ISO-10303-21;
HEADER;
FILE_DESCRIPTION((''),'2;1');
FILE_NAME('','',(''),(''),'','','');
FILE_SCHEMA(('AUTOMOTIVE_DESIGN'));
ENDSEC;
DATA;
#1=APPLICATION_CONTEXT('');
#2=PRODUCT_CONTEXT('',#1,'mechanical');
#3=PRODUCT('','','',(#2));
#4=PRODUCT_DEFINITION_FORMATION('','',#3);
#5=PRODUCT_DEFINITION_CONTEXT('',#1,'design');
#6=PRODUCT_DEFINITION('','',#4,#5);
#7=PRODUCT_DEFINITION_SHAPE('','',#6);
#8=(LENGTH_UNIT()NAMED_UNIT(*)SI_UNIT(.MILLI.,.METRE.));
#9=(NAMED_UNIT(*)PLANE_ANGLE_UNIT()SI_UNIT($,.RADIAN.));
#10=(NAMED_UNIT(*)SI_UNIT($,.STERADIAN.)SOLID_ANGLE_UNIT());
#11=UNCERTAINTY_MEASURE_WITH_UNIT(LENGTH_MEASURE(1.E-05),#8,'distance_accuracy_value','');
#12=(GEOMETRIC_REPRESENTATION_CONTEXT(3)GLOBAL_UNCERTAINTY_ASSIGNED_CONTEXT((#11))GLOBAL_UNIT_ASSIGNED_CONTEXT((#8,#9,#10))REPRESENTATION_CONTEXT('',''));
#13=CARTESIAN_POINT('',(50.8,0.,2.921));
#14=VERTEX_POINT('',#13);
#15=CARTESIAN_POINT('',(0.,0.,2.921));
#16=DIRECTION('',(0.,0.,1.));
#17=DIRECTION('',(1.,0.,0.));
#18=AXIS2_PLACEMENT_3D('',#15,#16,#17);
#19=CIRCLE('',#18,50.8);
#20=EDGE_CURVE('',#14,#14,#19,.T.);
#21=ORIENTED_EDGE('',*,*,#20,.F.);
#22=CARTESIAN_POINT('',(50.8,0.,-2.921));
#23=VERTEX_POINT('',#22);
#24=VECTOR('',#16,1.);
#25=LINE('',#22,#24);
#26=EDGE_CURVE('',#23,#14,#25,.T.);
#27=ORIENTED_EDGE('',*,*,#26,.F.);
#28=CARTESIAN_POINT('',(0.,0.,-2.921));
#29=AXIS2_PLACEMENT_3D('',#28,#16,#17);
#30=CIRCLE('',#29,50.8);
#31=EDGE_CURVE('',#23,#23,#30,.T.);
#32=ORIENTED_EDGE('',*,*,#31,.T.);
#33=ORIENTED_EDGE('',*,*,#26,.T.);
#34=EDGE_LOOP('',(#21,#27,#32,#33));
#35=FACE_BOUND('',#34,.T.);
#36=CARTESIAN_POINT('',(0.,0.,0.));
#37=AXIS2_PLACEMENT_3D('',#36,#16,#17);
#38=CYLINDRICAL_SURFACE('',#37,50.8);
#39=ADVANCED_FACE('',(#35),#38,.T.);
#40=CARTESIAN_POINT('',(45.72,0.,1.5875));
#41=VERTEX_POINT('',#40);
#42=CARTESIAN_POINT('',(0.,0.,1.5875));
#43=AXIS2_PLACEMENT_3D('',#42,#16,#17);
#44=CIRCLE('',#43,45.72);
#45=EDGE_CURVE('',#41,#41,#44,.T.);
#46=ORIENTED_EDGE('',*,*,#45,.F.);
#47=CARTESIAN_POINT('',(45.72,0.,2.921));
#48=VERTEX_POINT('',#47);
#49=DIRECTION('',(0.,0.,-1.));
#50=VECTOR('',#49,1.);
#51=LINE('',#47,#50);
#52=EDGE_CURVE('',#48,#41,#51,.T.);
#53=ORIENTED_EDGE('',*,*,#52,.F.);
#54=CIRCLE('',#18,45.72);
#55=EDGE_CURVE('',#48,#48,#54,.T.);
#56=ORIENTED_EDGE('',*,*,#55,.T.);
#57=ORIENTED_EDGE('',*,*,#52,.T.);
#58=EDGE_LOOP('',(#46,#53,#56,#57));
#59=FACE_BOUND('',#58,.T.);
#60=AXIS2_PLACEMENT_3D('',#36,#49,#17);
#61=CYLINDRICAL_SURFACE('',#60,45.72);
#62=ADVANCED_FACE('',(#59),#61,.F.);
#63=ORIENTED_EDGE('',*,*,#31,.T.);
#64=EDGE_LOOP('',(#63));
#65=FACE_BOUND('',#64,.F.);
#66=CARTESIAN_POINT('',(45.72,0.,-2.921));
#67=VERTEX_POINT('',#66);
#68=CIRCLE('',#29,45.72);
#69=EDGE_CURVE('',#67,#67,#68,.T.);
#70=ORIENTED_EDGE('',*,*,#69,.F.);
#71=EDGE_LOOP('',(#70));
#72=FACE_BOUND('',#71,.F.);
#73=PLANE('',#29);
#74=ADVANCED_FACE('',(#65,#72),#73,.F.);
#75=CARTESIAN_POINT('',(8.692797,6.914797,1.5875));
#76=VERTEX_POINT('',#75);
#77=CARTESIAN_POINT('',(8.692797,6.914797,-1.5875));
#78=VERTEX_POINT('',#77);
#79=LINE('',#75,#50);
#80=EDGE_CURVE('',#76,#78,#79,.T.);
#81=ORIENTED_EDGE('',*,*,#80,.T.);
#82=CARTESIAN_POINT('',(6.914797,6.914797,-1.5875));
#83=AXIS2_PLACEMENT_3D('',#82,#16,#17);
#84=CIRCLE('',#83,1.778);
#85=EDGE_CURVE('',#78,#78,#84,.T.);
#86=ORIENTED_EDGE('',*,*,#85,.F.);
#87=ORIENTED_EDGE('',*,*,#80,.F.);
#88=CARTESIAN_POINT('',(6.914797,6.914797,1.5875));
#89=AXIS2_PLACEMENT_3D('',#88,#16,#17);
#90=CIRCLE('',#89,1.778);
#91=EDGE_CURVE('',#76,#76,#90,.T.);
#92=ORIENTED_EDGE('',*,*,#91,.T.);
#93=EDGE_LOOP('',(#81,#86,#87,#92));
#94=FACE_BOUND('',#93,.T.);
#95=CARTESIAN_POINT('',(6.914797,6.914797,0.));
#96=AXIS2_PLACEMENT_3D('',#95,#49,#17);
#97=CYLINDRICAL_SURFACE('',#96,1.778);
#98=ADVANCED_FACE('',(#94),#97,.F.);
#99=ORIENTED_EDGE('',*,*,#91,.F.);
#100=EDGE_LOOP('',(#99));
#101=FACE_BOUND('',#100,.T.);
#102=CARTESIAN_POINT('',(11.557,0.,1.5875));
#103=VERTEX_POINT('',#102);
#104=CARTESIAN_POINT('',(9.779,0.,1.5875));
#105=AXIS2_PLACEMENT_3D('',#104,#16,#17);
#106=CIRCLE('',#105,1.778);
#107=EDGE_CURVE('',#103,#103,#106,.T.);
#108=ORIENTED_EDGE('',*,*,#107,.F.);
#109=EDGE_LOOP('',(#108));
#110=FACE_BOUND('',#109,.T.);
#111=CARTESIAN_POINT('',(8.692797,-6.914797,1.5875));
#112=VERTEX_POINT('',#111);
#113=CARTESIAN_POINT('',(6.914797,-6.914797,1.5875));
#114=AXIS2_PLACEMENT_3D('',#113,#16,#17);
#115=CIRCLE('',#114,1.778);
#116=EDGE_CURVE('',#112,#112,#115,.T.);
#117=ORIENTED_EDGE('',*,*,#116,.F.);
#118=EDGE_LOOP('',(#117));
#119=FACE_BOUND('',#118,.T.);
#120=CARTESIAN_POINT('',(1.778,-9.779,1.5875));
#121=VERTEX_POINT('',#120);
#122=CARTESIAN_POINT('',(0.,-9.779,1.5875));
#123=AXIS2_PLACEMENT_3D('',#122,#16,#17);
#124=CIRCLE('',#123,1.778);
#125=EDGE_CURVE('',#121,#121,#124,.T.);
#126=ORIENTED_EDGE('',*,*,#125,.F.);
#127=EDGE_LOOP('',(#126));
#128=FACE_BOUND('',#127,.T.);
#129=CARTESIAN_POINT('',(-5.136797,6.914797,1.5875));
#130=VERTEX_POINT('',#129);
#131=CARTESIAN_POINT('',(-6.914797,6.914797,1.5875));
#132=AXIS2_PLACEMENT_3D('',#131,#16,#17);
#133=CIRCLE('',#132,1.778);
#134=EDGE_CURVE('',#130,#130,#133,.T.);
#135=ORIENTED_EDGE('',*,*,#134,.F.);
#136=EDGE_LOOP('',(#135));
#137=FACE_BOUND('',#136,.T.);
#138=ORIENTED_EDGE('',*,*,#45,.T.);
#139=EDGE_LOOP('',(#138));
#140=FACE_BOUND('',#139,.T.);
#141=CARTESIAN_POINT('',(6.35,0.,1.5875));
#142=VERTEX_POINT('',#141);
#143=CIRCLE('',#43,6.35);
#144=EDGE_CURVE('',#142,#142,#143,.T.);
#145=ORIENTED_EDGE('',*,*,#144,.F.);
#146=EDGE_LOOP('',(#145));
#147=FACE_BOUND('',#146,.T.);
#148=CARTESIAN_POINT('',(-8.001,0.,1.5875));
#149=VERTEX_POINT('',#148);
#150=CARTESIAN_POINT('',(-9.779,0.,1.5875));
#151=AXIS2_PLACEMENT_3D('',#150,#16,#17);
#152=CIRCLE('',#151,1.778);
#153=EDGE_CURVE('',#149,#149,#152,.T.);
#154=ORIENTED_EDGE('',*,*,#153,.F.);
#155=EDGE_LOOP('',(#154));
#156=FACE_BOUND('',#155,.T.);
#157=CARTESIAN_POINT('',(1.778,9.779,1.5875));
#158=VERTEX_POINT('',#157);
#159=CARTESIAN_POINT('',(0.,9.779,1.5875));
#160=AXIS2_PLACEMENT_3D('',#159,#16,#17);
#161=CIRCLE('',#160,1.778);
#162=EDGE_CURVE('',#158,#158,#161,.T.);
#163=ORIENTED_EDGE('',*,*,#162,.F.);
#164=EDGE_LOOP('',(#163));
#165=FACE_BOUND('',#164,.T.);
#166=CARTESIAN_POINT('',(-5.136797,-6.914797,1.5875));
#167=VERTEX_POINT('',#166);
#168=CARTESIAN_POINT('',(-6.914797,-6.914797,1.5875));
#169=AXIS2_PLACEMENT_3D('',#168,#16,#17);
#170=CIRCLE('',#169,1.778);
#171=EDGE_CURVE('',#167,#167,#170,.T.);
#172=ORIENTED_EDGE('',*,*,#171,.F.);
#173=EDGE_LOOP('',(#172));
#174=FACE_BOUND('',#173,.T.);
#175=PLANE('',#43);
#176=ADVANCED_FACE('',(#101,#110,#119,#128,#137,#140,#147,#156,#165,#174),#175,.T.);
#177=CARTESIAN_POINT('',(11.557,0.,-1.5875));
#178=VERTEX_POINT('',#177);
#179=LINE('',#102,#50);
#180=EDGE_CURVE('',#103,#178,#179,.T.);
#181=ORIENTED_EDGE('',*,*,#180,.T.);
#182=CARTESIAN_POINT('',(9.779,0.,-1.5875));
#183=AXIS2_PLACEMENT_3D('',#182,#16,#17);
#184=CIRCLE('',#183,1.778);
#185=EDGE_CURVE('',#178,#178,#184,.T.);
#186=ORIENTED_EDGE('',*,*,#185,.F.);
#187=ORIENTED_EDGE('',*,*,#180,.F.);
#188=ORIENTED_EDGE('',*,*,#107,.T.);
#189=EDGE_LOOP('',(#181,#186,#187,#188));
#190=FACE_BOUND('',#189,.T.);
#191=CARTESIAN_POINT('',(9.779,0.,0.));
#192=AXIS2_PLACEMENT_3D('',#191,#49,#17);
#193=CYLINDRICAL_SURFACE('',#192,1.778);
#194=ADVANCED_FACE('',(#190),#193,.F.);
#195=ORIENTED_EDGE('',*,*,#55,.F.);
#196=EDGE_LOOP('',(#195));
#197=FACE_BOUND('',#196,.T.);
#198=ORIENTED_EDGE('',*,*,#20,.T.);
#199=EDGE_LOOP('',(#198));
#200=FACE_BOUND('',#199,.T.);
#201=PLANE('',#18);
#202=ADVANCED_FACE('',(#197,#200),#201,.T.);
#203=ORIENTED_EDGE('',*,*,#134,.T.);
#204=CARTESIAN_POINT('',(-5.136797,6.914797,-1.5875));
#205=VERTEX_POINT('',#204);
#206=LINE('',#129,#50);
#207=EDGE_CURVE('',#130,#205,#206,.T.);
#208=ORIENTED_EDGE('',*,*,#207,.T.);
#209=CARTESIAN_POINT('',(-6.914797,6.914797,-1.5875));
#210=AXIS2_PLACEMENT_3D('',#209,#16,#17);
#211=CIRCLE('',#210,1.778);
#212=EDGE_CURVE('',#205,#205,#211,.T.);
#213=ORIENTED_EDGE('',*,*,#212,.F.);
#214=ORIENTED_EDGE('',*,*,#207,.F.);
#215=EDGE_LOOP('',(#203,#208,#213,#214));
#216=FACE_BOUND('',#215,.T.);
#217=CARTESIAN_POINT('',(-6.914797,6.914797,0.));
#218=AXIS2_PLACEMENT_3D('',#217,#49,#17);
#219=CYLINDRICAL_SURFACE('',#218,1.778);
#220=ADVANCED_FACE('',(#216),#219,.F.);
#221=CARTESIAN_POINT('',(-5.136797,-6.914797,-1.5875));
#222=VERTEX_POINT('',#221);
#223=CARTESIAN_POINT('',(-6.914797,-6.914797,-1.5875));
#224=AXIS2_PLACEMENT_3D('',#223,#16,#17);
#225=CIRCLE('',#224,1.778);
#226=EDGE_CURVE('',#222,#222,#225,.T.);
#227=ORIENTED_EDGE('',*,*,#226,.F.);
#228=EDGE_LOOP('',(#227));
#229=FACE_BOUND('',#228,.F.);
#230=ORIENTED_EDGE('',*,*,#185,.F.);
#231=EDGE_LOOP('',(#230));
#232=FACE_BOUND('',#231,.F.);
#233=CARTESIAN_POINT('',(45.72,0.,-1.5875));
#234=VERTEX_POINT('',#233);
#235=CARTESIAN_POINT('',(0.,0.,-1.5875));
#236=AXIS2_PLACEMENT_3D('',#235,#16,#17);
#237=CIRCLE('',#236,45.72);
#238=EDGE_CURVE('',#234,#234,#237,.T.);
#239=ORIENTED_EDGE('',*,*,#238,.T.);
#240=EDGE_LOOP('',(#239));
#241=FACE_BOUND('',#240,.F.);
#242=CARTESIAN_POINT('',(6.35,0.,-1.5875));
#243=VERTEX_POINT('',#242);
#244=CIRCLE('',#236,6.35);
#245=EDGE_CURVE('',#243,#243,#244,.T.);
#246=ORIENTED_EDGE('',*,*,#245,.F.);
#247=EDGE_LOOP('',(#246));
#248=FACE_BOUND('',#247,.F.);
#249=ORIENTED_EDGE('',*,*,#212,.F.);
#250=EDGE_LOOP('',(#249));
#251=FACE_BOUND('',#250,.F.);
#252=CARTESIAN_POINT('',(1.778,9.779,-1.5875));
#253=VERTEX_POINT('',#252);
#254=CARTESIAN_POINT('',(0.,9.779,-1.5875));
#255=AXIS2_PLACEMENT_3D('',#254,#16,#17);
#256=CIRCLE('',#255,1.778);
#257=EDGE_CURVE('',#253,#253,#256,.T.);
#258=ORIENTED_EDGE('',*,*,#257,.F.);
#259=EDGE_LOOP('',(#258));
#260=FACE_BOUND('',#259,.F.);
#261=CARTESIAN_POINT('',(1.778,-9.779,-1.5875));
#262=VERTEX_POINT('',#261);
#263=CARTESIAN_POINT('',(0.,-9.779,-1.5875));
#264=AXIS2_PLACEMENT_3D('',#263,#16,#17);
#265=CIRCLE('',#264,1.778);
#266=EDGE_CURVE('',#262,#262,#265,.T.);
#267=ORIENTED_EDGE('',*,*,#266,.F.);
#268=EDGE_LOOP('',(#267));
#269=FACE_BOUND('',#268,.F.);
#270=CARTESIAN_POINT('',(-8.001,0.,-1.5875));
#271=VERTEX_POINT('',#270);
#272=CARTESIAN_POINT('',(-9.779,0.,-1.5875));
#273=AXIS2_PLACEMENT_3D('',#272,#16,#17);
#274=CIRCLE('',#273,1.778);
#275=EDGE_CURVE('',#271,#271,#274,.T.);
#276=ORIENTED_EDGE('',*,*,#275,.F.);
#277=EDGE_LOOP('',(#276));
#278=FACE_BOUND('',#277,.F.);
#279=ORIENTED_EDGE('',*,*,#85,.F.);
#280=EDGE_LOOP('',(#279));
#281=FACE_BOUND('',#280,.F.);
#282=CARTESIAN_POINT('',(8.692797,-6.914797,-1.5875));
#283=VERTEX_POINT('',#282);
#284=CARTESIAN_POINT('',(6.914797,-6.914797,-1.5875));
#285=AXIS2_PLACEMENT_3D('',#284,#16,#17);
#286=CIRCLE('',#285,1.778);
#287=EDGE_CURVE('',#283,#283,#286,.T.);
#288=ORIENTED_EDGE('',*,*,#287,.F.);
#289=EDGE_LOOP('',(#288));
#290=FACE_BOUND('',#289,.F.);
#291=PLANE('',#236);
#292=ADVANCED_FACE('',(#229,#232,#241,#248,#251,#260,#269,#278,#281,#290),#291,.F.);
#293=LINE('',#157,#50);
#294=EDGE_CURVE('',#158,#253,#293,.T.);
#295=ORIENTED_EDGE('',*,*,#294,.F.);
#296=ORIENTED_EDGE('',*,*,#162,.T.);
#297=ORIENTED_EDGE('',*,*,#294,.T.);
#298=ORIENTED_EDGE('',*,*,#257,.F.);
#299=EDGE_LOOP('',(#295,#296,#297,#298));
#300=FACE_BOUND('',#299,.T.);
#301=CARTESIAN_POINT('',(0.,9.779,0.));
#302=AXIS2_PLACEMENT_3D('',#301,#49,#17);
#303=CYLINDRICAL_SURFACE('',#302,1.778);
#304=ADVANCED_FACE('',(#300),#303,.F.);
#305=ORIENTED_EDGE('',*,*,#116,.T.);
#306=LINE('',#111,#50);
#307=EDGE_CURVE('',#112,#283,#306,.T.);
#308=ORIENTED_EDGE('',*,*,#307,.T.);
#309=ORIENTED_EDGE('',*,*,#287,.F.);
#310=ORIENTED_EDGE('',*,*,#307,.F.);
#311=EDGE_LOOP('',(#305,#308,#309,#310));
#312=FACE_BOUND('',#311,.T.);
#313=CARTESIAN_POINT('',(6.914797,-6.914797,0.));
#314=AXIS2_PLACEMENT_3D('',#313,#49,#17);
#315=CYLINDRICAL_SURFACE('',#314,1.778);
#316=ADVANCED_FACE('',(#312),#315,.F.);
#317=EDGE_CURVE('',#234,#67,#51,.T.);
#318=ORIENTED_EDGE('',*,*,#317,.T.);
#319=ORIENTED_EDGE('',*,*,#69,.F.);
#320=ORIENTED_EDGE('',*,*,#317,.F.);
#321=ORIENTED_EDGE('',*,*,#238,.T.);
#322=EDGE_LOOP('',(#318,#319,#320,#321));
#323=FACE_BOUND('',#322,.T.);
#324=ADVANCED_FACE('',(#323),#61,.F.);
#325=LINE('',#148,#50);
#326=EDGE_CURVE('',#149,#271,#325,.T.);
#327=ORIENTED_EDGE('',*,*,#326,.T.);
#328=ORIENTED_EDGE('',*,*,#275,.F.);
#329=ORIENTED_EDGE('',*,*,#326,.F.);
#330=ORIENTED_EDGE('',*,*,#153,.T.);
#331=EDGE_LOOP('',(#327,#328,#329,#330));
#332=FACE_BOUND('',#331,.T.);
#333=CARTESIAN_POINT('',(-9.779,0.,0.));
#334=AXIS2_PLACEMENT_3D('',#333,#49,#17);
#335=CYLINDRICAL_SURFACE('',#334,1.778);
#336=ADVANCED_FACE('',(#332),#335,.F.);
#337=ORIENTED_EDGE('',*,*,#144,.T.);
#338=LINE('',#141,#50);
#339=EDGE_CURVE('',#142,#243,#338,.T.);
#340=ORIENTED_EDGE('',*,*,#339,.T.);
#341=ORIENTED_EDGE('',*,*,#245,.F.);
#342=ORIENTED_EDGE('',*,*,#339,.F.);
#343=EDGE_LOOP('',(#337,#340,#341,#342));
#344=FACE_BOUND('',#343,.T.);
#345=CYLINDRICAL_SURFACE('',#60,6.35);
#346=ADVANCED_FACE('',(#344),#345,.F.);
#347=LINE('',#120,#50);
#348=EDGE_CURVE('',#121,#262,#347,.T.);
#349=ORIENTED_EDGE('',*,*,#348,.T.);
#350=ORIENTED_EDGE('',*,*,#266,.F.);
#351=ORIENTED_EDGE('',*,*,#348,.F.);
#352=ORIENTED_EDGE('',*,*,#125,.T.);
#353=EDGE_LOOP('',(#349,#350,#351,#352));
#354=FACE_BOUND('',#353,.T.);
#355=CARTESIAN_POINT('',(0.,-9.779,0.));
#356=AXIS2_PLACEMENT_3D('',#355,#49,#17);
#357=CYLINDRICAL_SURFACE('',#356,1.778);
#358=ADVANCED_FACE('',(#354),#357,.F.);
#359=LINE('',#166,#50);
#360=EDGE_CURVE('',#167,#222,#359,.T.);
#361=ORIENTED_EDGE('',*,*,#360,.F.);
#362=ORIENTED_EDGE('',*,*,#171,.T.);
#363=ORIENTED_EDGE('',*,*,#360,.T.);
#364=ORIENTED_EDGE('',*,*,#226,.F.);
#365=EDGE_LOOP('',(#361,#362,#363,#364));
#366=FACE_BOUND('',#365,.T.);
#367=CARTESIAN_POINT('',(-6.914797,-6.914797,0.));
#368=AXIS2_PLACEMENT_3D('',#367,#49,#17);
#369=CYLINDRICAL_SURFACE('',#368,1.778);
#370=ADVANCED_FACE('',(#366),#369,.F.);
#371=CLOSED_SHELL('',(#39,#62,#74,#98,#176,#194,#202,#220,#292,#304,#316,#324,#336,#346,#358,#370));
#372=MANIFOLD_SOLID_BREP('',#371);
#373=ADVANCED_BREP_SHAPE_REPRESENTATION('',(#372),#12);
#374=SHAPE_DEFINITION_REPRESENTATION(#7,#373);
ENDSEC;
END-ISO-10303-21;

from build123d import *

# Parameters (mm, degrees)
SKETCH1_R           = 50.8
SKETCH1_R_2         = 45.72
BOSS_EXTRUDE1_DEPTH = 2.921
SKETCH3_R           = 45.72
SKETCH3_R_2         = 6.35
SKETCH3_R_3         = 1.778
BOSS_EXTRUDE2_DEPTH = 1.5875


with BuildPart() as part:
    # Sketch1 → Boss-Extrude1 (new body, symmetric)
    with BuildSketch(Plane.XY):
        Circle(SKETCH1_R)
        Circle(SKETCH1_R_2, mode=Mode.SUBTRACT)
    extrude(amount=BOSS_EXTRUDE1_DEPTH, both=True)

    # Sketch3 → Boss-Extrude2 (add, symmetric)
    with BuildSketch(Plane.XY):
        Circle(SKETCH3_R)
        Circle(SKETCH3_R_2, mode=Mode.SUBTRACT)
        with Locations((0, 9.779)):
            Circle(SKETCH3_R_3, mode=Mode.SUBTRACT)
        with Locations((6.914797213, 6.914797213)):
            Circle(SKETCH3_R_3, mode=Mode.SUBTRACT)
        with Locations((9.779, 0)):
            Circle(SKETCH3_R_3, mode=Mode.SUBTRACT)
        with Locations((6.914797213, -6.914797213)):
            Circle(SKETCH3_R_3, mode=Mode.SUBTRACT)
        with Locations((0, -9.779)):
            Circle(SKETCH3_R_3, mode=Mode.SUBTRACT)
        with Locations((-6.914797213, -6.914797213)):
            Circle(SKETCH3_R_3, mode=Mode.SUBTRACT)
        with Locations((-9.779, 0)):
            Circle(SKETCH3_R_3, mode=Mode.SUBTRACT)
        with Locations((-6.914797213, 6.914797213)):
            Circle(SKETCH3_R_3, mode=Mode.SUBTRACT)
    extrude(amount=BOSS_EXTRUDE2_DEPTH, both=True)


solid = part.part
